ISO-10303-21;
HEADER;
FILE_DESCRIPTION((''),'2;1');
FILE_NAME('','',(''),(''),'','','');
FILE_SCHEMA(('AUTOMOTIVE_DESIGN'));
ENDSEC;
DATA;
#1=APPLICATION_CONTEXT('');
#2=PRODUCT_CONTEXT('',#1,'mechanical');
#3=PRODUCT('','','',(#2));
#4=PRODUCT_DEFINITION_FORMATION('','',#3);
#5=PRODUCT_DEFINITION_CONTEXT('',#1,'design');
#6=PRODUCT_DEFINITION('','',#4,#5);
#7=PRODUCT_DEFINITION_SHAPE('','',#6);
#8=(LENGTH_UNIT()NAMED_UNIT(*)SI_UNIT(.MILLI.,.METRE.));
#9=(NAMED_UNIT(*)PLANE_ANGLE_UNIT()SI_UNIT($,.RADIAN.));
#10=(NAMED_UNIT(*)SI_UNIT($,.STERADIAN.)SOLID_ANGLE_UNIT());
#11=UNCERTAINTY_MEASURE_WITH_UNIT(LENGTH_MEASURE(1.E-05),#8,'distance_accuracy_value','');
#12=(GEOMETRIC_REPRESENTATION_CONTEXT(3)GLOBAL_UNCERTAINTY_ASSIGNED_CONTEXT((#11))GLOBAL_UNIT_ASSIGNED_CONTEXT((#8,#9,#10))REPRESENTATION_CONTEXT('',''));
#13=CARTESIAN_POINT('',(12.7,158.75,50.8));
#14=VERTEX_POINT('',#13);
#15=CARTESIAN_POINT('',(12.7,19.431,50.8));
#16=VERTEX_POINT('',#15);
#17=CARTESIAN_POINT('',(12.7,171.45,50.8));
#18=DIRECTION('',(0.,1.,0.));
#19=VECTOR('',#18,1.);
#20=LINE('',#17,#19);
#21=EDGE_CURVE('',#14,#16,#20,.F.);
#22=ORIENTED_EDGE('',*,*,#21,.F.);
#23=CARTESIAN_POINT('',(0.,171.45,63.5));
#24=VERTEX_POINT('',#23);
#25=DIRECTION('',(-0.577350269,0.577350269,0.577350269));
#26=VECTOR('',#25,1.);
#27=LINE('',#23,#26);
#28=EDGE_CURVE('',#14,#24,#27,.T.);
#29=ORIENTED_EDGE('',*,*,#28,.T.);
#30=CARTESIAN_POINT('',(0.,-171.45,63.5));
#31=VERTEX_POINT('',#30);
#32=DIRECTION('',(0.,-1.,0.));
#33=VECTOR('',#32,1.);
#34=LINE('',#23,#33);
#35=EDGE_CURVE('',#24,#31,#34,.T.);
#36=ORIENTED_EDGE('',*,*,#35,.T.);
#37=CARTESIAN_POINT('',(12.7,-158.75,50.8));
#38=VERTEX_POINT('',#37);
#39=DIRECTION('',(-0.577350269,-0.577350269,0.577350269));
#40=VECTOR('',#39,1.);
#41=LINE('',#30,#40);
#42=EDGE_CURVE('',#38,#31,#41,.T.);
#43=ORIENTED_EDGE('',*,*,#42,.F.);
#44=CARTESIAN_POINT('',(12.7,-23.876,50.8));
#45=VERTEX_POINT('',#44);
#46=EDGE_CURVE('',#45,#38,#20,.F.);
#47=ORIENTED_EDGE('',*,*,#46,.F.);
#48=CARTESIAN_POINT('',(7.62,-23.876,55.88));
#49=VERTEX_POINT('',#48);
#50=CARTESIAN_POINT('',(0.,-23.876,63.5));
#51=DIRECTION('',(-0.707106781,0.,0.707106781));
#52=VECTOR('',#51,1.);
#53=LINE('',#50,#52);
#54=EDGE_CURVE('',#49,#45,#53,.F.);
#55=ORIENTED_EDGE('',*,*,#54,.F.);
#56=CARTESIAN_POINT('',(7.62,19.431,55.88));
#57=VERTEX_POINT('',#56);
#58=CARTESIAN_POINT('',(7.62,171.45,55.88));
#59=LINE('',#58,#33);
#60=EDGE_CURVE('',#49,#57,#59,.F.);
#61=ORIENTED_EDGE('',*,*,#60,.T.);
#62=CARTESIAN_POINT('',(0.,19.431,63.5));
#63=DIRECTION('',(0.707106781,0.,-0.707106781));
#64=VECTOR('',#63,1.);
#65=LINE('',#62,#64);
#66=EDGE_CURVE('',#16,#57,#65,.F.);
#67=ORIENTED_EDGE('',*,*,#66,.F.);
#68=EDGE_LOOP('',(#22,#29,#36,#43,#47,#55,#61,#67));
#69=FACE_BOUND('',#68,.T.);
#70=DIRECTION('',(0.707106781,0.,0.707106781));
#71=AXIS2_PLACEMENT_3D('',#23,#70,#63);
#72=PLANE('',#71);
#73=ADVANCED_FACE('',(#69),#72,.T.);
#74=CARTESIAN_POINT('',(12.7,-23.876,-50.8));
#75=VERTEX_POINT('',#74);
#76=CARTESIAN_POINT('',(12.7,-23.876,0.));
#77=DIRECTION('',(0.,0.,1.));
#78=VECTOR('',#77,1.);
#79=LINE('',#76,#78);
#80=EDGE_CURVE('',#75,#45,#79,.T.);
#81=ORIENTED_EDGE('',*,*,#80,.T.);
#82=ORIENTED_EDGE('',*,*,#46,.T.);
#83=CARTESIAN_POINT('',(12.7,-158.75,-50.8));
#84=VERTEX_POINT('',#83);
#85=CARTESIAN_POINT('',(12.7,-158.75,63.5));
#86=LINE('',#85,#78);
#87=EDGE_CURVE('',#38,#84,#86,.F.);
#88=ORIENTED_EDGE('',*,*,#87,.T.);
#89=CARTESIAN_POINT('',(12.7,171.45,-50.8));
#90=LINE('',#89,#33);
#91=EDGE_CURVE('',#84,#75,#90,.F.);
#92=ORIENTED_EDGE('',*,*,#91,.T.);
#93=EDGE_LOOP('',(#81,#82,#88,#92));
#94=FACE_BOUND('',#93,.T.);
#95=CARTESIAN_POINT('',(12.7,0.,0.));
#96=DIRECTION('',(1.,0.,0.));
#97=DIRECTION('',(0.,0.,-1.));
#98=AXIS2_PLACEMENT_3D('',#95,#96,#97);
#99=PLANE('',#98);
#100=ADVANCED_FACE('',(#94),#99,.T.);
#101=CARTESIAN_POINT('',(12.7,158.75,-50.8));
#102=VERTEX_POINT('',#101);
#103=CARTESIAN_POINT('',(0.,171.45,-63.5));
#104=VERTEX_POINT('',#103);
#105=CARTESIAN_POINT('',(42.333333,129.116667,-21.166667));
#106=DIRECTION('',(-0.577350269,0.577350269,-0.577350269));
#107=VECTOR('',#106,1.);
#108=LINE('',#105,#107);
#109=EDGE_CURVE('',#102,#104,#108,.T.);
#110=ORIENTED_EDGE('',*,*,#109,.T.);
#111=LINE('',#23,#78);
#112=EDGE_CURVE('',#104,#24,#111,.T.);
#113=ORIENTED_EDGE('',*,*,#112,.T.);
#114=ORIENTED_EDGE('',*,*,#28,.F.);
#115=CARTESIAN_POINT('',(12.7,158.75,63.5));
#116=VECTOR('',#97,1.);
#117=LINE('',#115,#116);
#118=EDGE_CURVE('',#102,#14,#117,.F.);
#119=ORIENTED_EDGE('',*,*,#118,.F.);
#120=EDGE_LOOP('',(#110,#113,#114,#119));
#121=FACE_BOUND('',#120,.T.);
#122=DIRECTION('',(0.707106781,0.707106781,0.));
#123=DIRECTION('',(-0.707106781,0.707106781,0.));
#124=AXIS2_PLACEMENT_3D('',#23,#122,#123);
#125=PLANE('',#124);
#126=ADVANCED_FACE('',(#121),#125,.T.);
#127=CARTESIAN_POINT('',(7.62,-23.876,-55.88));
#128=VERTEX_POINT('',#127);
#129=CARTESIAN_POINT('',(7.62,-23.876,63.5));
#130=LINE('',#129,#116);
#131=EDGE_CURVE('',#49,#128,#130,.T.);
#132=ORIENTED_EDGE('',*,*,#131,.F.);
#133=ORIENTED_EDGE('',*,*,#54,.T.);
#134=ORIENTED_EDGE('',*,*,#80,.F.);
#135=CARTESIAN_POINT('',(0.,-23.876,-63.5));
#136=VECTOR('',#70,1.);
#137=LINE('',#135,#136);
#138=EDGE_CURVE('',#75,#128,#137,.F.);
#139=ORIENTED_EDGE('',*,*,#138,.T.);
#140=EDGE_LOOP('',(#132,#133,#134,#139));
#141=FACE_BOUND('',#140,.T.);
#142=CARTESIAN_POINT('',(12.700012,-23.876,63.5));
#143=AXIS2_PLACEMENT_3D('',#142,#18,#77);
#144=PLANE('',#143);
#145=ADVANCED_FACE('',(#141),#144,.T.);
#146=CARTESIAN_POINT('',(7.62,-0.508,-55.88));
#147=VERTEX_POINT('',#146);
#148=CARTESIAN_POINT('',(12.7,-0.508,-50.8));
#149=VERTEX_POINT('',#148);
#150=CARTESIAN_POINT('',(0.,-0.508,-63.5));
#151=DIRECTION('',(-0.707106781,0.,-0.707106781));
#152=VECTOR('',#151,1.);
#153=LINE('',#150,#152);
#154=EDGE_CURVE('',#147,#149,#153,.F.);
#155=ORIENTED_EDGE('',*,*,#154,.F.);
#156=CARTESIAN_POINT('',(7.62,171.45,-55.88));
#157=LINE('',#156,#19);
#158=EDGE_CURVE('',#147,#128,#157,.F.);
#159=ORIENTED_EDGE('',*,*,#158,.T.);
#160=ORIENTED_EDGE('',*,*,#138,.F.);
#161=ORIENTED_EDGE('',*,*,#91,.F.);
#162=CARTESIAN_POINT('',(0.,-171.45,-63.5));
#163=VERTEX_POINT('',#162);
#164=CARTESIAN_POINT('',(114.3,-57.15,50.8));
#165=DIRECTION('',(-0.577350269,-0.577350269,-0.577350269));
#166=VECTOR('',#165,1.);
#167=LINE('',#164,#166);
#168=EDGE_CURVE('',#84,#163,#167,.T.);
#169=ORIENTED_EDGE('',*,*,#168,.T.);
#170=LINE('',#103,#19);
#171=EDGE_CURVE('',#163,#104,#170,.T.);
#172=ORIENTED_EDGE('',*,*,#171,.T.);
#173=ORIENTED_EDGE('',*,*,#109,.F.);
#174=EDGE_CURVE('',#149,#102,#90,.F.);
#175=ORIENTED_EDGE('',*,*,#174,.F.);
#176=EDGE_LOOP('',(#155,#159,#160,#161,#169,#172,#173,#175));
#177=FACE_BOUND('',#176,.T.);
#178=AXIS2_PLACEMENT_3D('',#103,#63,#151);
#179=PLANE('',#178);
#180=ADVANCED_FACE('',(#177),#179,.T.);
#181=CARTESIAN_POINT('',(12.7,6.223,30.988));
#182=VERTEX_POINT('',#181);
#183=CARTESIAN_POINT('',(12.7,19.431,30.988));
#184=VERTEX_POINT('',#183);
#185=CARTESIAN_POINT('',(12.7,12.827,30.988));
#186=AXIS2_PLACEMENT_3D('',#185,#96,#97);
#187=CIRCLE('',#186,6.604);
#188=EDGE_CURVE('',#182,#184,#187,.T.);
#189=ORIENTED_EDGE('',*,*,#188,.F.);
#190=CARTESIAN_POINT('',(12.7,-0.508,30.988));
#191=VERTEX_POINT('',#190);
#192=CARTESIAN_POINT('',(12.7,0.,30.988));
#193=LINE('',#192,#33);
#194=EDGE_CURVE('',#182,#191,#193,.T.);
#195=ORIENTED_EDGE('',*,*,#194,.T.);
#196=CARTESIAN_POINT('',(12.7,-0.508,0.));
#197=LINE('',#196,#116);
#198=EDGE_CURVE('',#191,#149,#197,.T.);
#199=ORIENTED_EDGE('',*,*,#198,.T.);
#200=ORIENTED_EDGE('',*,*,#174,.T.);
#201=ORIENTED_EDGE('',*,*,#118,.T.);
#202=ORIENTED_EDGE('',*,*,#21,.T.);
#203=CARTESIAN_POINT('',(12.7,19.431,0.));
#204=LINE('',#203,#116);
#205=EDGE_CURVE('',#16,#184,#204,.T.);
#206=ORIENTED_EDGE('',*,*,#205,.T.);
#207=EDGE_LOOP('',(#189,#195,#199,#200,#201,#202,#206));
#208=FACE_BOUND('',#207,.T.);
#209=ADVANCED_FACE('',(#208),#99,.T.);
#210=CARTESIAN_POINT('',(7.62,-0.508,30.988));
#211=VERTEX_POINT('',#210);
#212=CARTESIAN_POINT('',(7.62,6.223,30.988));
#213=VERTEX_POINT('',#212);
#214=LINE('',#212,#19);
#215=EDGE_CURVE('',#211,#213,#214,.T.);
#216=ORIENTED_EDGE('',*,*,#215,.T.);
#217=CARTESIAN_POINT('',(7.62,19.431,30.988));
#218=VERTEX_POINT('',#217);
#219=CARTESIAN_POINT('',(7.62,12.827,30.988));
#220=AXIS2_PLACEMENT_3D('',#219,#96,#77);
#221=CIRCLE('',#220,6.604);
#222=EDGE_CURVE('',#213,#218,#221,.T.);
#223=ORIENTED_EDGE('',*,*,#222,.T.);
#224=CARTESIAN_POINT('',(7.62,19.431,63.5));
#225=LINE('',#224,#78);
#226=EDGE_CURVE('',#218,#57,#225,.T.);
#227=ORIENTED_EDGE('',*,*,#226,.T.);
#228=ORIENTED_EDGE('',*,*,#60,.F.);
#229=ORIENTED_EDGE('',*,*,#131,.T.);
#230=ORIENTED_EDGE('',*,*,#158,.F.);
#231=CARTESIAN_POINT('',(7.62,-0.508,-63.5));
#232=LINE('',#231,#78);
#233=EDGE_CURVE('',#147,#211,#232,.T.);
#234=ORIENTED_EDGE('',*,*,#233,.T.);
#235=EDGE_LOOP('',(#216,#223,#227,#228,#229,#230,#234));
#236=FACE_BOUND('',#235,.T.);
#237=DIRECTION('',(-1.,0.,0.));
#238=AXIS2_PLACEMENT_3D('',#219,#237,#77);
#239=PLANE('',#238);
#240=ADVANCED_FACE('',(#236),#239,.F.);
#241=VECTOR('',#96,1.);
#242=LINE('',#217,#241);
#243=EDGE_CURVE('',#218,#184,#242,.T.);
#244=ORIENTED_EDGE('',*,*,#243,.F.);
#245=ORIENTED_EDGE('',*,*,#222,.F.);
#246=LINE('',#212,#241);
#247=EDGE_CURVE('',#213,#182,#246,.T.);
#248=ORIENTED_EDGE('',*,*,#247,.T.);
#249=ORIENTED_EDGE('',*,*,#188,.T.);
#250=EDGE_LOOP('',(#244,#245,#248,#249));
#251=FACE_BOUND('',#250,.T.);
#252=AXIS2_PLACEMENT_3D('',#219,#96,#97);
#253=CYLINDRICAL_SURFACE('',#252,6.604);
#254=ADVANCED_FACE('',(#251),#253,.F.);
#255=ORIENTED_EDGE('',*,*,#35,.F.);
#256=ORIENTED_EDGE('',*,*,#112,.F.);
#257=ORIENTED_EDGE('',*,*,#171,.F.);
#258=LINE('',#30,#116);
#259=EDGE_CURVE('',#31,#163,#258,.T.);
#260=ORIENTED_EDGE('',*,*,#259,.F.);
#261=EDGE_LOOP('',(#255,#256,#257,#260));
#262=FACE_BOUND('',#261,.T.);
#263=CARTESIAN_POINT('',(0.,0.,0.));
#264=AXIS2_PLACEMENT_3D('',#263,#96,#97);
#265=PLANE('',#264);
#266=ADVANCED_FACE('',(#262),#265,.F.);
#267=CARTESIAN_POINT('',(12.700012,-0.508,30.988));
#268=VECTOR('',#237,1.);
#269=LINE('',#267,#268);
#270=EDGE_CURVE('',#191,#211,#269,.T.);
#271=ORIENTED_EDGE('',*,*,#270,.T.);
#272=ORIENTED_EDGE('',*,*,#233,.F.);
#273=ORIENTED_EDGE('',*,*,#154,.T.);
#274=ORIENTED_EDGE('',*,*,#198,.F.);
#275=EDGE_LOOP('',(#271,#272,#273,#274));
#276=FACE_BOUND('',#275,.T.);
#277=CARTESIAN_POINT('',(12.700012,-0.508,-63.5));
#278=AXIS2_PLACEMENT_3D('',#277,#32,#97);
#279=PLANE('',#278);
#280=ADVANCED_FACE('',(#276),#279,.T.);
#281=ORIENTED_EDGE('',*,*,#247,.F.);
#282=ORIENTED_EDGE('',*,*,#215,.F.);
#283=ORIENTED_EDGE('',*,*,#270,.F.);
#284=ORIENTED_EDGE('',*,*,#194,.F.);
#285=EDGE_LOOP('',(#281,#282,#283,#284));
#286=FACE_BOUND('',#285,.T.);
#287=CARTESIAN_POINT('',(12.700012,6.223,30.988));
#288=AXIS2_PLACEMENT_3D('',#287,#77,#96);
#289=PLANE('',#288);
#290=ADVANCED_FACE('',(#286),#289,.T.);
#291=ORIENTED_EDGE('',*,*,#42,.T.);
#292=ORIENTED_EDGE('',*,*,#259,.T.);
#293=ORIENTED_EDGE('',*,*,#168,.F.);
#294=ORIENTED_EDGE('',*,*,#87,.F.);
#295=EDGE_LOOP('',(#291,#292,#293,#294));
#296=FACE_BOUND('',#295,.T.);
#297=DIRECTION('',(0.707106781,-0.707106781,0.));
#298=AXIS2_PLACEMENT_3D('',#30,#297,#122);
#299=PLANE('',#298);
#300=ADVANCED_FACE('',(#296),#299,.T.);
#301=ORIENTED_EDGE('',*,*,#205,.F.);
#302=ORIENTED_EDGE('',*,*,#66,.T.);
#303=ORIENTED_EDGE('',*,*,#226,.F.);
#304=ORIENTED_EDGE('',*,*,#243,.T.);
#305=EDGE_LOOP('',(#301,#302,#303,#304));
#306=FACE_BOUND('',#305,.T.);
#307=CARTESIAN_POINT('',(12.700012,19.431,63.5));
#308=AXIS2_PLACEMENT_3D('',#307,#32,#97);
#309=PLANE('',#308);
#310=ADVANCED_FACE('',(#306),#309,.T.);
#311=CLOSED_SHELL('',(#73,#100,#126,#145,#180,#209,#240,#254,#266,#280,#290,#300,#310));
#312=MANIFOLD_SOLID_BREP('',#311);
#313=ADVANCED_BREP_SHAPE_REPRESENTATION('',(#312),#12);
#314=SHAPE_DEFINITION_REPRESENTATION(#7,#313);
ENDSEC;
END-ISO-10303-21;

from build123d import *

# Parameters (mm, degrees)
SKETCH1_W               = 127
SKETCH1_H               = 342.9
BOSS_EXTRUDE1_DEPTH     = 12.7
DRAFT1_ANGLE            = -45
CUT_EXTRUDE1_DEPTH      = 184.272045059
CUT_EXTRUDE1_DEPTH_BACK = 5.08


with BuildPart() as part:
    # Sketch1 → Boss-Extrude1 (new body)
    with BuildSketch(Plane(origin=(0, 0, 0), x_dir=(0, 0, -1), z_dir=(1, 0, 0))):
        Rectangle(SKETCH1_W, SKETCH1_H)
    extrude(amount=BOSS_EXTRUDE1_DEPTH)

    # Draft1
    draft1_faces = [part.faces().sort_by_distance(p)[0] for p in [
        (6.35, -171.45, 0),
        (6.35, 0, -63.5),
        (6.35, 0, 63.5),
        (6.35, 171.45, 0),
    ]]
    draft(draft1_faces, Plane(origin=(0, 0, 0), x_dir=(0, 0, -1), z_dir=(-1, 0, 0)), DRAFT1_ANGLE)

    # Sketch2 → Cut-Extrude1 (cut, two sides: drawn at the far end of the back side and taken through both)
    with BuildSketch(Plane(origin=(12.7, 0, 0), x_dir=(0, 0, -1), z_dir=(1, 0, 0)).offset(-CUT_EXTRUDE1_DEPTH_BACK)):
        with BuildLine():
            Line((-63.5, 19.431), (-30.988, 19.431))
            ThreePointArc((-30.988, 19.431), (-24.384, 12.827), (-30.988, 6.223))
            Line((-30.988, 6.223), (-30.988, -0.508))
            Line((-30.988, -0.508), (63.5, -0.508))
            Line((63.5, -0.508), (63.5, -23.876))
            Line((63.5, -23.876), (-63.5, -23.876))
            Line((-63.5, -23.876), (-63.5, 19.431))
        make_face()
    extrude(amount=CUT_EXTRUDE1_DEPTH + CUT_EXTRUDE1_DEPTH_BACK, mode=Mode.SUBTRACT)


solid = part.part
